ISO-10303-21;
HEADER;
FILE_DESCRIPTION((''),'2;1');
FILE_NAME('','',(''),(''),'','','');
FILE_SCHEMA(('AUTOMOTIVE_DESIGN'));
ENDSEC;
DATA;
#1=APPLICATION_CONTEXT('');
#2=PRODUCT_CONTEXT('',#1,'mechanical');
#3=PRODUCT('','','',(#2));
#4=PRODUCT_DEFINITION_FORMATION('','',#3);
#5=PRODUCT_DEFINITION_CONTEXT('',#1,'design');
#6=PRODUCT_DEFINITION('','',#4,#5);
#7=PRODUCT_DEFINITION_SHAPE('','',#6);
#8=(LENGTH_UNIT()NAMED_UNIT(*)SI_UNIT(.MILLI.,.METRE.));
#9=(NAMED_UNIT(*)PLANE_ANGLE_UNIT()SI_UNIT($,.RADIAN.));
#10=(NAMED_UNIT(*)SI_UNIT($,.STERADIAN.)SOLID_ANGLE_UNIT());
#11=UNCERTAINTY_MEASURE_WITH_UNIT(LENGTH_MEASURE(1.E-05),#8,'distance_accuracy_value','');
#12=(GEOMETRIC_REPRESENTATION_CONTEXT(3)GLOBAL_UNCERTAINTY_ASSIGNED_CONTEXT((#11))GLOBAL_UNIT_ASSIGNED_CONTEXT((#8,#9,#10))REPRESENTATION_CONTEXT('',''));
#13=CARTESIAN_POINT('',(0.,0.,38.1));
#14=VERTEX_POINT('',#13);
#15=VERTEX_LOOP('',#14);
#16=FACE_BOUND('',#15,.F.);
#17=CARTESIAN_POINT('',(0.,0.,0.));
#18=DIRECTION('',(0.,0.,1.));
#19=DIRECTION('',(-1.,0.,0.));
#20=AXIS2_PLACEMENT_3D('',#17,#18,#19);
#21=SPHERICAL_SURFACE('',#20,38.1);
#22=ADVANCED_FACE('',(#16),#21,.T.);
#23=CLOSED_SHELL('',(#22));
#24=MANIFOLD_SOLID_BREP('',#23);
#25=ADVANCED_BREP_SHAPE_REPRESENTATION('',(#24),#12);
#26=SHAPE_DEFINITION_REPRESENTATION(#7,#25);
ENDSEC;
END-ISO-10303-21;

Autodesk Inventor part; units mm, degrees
ref_plane "YZ Plane" through (0, 0, 0) normal (1, 0, 0) x (0, 1, 0)
ref_plane "XZ Plane" through (0, 0, 0) normal (0, 1, 0) x (-1, 0, 0)
ref_plane "XY Plane" through (0, 0, 0) normal (0, 0, 1) x (1, 0, 0)
sketch "Sketch1" plane through (0, 0, 0) normal (0, 1, 0) x (-1, 0, 0)
  arc A0 (0, -38.1) -> (0, 38.1) centre (0, 0) ccw
  line L0 (0, 38.1) -> (0, -38.1)
  dimension "d0" = 76.2
revolve "Revolution1" add sketch "Sketch1" angle 360 about axis through (0, 0, 38.1) along (0, 0, -1)
properties part number "redPoint"
